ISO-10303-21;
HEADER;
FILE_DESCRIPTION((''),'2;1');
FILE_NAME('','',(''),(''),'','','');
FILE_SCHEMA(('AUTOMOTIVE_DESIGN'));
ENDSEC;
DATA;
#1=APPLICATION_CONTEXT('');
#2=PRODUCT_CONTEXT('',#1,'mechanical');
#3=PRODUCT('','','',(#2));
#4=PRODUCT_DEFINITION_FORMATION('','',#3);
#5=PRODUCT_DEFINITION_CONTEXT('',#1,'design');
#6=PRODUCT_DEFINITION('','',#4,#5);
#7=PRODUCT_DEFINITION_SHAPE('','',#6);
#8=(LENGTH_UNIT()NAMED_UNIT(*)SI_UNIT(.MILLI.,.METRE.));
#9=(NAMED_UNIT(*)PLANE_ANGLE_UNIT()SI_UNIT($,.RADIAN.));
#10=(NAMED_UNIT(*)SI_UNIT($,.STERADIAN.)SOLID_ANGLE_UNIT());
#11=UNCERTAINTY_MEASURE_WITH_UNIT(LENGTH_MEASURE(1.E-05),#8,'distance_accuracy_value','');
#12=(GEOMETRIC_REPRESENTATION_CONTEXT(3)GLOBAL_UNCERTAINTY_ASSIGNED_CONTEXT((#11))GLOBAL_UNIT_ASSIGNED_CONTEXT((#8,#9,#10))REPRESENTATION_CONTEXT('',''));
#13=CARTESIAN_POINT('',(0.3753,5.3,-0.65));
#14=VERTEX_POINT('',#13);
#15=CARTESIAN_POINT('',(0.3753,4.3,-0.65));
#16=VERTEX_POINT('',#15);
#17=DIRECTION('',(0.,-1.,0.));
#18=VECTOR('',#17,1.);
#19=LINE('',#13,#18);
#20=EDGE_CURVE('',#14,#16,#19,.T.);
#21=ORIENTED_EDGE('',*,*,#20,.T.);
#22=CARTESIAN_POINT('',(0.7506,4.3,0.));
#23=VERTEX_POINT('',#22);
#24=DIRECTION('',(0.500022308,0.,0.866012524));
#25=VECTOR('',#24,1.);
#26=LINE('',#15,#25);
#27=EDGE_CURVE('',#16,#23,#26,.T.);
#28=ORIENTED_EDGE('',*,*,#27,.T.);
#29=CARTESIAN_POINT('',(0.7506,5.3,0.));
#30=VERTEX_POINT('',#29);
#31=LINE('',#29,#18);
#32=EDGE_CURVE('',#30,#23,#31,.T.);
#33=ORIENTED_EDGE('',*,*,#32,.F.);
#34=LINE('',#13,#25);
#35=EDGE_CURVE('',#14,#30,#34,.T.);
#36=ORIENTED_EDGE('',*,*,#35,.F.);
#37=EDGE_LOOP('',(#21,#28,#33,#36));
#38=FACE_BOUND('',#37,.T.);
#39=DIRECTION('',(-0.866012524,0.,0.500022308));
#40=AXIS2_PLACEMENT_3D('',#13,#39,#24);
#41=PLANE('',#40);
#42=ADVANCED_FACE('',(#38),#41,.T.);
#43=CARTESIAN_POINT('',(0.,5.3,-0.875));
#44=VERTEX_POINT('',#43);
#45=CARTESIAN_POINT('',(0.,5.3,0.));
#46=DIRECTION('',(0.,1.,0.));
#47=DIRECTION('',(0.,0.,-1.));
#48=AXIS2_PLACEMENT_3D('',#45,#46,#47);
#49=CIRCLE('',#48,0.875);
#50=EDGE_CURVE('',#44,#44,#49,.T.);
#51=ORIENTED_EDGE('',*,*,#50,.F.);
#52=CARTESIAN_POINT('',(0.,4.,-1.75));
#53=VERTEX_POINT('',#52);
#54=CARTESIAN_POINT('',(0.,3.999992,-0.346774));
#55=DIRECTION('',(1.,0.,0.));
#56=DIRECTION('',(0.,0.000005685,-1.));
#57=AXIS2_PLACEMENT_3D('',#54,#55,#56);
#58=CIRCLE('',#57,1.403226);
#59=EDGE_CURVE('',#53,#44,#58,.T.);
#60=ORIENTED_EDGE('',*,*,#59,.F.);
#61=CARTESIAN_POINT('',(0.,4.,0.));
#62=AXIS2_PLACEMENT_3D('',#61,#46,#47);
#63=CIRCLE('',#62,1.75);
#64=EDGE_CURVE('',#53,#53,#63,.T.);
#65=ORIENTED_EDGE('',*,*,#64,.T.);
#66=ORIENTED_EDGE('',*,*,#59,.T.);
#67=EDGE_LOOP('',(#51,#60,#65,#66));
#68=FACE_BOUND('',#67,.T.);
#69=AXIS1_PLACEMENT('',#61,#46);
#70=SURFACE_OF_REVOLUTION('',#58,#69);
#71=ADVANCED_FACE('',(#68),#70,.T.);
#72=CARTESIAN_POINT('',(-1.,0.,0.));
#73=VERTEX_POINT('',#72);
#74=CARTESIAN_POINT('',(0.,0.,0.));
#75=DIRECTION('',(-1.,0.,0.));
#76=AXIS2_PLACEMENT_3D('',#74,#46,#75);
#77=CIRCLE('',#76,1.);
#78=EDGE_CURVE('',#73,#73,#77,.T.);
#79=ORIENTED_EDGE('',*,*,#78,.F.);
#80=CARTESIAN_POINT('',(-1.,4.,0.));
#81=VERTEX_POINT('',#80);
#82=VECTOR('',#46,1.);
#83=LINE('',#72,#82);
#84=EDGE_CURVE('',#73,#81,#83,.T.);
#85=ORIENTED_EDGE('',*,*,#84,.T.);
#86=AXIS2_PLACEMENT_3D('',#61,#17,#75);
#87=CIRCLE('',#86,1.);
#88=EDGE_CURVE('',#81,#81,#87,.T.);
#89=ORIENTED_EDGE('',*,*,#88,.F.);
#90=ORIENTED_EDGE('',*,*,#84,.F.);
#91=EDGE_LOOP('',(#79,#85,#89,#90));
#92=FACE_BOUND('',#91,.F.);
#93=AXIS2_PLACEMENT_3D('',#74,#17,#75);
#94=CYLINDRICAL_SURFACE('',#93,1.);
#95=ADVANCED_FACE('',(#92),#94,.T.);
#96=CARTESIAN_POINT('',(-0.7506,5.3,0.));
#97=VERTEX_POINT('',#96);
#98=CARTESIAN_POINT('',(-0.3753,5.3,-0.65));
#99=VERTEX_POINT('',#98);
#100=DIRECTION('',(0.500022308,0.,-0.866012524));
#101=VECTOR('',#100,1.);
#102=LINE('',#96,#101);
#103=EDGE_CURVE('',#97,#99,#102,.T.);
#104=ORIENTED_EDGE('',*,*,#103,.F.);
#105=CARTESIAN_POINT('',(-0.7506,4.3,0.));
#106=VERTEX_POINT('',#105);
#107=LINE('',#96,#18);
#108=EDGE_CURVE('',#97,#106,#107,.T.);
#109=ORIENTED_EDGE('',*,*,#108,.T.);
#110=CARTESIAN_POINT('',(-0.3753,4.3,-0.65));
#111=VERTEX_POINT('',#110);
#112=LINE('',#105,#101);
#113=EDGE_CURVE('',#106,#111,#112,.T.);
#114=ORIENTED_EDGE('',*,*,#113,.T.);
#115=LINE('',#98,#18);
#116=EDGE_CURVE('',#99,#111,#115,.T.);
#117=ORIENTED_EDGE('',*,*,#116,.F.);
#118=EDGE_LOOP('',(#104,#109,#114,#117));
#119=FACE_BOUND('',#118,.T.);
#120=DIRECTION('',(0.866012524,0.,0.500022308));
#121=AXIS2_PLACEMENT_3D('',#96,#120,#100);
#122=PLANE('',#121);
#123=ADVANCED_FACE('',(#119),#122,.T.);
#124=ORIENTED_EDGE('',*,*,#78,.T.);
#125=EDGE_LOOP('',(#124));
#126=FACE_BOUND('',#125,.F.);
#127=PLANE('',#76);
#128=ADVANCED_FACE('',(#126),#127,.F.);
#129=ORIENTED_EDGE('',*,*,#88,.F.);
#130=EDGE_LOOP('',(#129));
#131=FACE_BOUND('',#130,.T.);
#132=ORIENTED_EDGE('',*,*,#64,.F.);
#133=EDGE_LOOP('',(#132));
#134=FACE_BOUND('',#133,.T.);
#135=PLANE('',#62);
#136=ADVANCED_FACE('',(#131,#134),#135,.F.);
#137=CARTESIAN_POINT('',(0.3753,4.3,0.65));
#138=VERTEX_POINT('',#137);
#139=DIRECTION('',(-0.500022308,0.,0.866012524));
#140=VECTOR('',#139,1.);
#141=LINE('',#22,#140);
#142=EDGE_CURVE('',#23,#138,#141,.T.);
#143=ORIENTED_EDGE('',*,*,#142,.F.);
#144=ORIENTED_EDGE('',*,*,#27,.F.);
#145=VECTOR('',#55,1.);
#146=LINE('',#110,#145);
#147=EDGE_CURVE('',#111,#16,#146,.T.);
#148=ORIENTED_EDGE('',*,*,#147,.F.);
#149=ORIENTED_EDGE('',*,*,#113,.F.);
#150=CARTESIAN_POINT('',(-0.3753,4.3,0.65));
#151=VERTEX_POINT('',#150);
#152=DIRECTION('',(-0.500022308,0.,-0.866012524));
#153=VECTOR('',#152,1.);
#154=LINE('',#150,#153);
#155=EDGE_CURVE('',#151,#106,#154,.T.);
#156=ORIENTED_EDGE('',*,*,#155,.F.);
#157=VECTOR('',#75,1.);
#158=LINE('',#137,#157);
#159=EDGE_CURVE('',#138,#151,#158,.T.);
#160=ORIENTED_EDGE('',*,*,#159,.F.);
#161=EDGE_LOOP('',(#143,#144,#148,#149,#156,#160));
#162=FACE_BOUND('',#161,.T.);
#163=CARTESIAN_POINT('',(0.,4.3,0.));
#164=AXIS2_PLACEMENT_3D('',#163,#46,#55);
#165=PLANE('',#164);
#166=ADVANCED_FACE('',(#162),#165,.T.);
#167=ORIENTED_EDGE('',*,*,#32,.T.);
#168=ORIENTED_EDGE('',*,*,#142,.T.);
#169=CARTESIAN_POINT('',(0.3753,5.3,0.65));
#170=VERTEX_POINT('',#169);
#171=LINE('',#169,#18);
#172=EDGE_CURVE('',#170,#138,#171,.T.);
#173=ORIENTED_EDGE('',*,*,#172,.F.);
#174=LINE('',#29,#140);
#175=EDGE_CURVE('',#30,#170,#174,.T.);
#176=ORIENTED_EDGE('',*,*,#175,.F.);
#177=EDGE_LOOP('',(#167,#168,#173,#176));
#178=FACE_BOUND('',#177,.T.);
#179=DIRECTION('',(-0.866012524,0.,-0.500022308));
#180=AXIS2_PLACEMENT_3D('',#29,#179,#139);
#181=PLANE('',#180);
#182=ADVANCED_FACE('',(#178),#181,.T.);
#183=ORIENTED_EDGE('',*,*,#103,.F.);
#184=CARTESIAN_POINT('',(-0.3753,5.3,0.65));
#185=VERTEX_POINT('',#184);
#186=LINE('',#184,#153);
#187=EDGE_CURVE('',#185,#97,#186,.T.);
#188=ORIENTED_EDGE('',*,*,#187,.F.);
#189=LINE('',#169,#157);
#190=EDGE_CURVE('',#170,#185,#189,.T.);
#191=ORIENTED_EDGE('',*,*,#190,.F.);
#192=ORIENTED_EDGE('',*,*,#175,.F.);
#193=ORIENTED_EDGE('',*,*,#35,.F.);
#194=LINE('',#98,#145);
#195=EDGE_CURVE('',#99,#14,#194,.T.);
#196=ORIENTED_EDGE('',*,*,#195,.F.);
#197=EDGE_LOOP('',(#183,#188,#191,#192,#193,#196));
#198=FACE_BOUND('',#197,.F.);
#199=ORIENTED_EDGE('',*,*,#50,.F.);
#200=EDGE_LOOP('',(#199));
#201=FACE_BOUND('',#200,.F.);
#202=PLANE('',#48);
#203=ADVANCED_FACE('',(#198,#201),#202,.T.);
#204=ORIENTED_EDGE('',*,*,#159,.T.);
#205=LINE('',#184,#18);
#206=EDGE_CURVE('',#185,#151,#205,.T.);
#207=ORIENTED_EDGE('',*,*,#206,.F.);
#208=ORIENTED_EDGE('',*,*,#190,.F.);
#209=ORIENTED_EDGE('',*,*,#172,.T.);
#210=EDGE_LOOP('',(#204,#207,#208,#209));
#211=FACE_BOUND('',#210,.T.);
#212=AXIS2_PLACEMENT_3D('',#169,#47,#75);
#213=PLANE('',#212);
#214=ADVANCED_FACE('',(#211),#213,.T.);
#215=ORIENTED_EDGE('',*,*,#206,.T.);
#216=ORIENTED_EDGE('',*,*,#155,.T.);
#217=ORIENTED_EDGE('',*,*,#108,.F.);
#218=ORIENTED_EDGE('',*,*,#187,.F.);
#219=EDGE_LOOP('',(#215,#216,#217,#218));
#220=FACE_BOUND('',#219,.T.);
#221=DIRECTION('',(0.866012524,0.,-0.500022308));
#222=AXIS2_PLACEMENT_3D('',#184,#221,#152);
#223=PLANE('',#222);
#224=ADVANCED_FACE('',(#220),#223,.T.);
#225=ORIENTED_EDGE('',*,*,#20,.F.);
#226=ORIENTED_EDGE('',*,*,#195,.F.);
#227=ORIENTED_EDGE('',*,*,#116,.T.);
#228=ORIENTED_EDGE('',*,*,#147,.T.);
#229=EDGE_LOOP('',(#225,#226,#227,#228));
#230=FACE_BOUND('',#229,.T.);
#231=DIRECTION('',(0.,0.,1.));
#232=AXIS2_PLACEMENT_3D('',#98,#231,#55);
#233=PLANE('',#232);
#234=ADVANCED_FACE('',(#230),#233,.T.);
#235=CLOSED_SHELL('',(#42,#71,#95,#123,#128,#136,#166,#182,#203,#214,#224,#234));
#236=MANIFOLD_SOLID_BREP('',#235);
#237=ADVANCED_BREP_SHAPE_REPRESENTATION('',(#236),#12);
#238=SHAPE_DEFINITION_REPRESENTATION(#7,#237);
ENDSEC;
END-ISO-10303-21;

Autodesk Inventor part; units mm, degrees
ref_plane "YZ Plane" through (0, 0, 0) normal (1, 0, 0) x (0, 1, 0)
ref_plane "XZ Plane" through (0, 0, 0) normal (0, 1, 0) x (-1, 0, 0)
ref_plane "XY Plane" through (0, 0, 0) normal (0, 0, 1) x (1, 0, 0)
sketch "Эскиз1" plane through (0, 0, 0) normal (0, 1, 0) x (-1, 0, 0)
  circle A0 centre (0, 0) radius 1
  dimension "d0" = 2
extrude "Выдавливание1" add sketch "Эскиз1" along normal blind 4
sketch "Эскиз2" plane through (0, 0, 0) normal (1, 0, 0) x (0, 1, 0)
  line L0 (4, -1) -> (4, 1) projected
  line L1 (4, 0) -> (5.3, 0)
  line L2 (4, 0) -> (4, -1.75)
  line L3 (5.3, 0) -> (5.3, -1.75)
  line L4 (5.3, -1.75) -> (4, -1.75)
  arc A0 (4, -1.75) -> (5.3, -0.875) centre (4, -0.3468) ccw
  point P0 (0, 0)
  dimension "d3" = 1.3
  dimension "d4" = 1.75
revolve "Вращение1" add sketch "Эскиз2" angle 360 about axis through (0, 4, 0) along (0, 1, 0) contours L0 L1 L3 A0 L2
sketch "Эскиз3" plane through (0, 5.3, 0) normal (0, 1, 0) x (1, 0, 0)
  line L0 (0, 0) -> (0, 0.65)
  line L1 (0.3753, 0.65) -> (0.7506, 0)
  line L2 (0.7506, 0) -> (0.3753, -0.65)
  line L3 (0.3753, -0.65) -> (-0.3753, -0.65)
  line L4 (-0.3753, -0.65) -> (-0.7506, 0)
  line L5 (-0.7506, 0) -> (-0.3753, 0.65)
  line L6 (-0.3753, 0.65) -> (0.3753, 0.65)
  dimension "d6" = 0.65
extrude "Выдавливание2" cut sketch "Эскиз3" against normal blind 1
thread "Резьба1" size "M2x0.4" class "6g" standard "ANSI Metric M Profile" length 19.85
properties part number "M2 6mm HEX"
